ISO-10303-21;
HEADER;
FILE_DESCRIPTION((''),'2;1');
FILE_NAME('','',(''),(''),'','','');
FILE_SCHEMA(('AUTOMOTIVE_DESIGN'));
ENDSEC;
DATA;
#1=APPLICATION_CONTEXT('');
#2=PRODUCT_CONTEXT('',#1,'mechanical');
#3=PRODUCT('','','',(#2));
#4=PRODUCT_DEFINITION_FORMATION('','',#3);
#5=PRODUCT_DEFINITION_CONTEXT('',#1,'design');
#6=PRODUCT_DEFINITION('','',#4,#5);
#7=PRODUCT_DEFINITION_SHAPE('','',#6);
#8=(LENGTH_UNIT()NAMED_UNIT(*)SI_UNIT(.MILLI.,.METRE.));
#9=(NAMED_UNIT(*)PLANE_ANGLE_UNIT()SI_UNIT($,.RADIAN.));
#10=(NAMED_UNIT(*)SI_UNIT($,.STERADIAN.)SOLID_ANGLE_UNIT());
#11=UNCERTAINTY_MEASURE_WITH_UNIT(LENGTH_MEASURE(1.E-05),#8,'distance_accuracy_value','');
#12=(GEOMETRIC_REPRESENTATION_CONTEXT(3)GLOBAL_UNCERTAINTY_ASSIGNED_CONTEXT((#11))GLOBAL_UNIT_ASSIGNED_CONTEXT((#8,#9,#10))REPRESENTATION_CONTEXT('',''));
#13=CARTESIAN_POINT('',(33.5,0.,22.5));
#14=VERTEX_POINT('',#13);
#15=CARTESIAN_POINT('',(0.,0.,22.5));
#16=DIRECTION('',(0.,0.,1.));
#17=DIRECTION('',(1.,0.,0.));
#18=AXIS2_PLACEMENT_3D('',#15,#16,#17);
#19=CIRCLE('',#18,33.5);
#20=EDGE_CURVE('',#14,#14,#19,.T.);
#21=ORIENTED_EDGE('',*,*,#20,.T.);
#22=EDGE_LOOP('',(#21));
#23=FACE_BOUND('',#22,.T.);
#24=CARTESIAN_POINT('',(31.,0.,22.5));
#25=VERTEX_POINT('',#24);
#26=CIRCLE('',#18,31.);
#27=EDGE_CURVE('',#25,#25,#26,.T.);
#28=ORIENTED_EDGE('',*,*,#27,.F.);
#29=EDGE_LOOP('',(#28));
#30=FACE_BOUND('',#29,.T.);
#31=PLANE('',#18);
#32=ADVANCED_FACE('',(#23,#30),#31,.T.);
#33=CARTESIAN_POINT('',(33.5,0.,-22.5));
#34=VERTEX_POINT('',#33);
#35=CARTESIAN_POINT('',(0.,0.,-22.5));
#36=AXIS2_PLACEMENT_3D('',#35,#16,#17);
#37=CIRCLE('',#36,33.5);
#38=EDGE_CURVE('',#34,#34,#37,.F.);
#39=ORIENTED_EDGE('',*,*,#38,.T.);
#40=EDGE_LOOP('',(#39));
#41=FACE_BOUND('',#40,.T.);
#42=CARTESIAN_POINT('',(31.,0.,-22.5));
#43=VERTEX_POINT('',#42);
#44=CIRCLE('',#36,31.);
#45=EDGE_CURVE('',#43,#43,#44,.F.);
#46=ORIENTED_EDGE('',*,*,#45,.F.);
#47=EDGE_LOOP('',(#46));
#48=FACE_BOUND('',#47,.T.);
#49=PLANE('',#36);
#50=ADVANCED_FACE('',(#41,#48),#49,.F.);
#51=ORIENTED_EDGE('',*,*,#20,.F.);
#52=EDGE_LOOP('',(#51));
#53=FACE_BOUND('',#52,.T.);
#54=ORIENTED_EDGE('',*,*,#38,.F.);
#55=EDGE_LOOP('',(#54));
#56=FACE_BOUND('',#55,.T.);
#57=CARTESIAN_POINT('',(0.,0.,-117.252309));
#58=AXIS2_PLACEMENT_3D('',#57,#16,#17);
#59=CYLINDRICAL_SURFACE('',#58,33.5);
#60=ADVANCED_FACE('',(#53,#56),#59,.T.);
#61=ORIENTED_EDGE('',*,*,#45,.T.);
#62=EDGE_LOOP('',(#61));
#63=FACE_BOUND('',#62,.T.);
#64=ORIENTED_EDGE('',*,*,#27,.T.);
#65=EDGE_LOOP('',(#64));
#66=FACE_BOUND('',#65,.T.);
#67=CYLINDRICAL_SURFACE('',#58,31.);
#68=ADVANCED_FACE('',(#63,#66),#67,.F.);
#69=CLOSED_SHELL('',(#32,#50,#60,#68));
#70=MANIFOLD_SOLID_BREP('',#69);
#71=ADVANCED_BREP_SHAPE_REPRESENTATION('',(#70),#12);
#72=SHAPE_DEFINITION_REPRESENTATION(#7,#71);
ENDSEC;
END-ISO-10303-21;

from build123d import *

# Parameters (mm, degrees)
BOSS_EXTRUDE1_START = -22.5
SKETCH1_R           = 33.5
SKETCH1_R_2         = 31
BOSS_EXTRUDE1_DEPTH = 45


with BuildPart() as part:
    # Sketch1 → Boss-Extrude1 (new body)
    with BuildSketch(Plane.XY.offset(BOSS_EXTRUDE1_START)):
        Circle(SKETCH1_R)
        Circle(SKETCH1_R_2, mode=Mode.SUBTRACT)
    extrude(amount=BOSS_EXTRUDE1_DEPTH)


solid = part.part
